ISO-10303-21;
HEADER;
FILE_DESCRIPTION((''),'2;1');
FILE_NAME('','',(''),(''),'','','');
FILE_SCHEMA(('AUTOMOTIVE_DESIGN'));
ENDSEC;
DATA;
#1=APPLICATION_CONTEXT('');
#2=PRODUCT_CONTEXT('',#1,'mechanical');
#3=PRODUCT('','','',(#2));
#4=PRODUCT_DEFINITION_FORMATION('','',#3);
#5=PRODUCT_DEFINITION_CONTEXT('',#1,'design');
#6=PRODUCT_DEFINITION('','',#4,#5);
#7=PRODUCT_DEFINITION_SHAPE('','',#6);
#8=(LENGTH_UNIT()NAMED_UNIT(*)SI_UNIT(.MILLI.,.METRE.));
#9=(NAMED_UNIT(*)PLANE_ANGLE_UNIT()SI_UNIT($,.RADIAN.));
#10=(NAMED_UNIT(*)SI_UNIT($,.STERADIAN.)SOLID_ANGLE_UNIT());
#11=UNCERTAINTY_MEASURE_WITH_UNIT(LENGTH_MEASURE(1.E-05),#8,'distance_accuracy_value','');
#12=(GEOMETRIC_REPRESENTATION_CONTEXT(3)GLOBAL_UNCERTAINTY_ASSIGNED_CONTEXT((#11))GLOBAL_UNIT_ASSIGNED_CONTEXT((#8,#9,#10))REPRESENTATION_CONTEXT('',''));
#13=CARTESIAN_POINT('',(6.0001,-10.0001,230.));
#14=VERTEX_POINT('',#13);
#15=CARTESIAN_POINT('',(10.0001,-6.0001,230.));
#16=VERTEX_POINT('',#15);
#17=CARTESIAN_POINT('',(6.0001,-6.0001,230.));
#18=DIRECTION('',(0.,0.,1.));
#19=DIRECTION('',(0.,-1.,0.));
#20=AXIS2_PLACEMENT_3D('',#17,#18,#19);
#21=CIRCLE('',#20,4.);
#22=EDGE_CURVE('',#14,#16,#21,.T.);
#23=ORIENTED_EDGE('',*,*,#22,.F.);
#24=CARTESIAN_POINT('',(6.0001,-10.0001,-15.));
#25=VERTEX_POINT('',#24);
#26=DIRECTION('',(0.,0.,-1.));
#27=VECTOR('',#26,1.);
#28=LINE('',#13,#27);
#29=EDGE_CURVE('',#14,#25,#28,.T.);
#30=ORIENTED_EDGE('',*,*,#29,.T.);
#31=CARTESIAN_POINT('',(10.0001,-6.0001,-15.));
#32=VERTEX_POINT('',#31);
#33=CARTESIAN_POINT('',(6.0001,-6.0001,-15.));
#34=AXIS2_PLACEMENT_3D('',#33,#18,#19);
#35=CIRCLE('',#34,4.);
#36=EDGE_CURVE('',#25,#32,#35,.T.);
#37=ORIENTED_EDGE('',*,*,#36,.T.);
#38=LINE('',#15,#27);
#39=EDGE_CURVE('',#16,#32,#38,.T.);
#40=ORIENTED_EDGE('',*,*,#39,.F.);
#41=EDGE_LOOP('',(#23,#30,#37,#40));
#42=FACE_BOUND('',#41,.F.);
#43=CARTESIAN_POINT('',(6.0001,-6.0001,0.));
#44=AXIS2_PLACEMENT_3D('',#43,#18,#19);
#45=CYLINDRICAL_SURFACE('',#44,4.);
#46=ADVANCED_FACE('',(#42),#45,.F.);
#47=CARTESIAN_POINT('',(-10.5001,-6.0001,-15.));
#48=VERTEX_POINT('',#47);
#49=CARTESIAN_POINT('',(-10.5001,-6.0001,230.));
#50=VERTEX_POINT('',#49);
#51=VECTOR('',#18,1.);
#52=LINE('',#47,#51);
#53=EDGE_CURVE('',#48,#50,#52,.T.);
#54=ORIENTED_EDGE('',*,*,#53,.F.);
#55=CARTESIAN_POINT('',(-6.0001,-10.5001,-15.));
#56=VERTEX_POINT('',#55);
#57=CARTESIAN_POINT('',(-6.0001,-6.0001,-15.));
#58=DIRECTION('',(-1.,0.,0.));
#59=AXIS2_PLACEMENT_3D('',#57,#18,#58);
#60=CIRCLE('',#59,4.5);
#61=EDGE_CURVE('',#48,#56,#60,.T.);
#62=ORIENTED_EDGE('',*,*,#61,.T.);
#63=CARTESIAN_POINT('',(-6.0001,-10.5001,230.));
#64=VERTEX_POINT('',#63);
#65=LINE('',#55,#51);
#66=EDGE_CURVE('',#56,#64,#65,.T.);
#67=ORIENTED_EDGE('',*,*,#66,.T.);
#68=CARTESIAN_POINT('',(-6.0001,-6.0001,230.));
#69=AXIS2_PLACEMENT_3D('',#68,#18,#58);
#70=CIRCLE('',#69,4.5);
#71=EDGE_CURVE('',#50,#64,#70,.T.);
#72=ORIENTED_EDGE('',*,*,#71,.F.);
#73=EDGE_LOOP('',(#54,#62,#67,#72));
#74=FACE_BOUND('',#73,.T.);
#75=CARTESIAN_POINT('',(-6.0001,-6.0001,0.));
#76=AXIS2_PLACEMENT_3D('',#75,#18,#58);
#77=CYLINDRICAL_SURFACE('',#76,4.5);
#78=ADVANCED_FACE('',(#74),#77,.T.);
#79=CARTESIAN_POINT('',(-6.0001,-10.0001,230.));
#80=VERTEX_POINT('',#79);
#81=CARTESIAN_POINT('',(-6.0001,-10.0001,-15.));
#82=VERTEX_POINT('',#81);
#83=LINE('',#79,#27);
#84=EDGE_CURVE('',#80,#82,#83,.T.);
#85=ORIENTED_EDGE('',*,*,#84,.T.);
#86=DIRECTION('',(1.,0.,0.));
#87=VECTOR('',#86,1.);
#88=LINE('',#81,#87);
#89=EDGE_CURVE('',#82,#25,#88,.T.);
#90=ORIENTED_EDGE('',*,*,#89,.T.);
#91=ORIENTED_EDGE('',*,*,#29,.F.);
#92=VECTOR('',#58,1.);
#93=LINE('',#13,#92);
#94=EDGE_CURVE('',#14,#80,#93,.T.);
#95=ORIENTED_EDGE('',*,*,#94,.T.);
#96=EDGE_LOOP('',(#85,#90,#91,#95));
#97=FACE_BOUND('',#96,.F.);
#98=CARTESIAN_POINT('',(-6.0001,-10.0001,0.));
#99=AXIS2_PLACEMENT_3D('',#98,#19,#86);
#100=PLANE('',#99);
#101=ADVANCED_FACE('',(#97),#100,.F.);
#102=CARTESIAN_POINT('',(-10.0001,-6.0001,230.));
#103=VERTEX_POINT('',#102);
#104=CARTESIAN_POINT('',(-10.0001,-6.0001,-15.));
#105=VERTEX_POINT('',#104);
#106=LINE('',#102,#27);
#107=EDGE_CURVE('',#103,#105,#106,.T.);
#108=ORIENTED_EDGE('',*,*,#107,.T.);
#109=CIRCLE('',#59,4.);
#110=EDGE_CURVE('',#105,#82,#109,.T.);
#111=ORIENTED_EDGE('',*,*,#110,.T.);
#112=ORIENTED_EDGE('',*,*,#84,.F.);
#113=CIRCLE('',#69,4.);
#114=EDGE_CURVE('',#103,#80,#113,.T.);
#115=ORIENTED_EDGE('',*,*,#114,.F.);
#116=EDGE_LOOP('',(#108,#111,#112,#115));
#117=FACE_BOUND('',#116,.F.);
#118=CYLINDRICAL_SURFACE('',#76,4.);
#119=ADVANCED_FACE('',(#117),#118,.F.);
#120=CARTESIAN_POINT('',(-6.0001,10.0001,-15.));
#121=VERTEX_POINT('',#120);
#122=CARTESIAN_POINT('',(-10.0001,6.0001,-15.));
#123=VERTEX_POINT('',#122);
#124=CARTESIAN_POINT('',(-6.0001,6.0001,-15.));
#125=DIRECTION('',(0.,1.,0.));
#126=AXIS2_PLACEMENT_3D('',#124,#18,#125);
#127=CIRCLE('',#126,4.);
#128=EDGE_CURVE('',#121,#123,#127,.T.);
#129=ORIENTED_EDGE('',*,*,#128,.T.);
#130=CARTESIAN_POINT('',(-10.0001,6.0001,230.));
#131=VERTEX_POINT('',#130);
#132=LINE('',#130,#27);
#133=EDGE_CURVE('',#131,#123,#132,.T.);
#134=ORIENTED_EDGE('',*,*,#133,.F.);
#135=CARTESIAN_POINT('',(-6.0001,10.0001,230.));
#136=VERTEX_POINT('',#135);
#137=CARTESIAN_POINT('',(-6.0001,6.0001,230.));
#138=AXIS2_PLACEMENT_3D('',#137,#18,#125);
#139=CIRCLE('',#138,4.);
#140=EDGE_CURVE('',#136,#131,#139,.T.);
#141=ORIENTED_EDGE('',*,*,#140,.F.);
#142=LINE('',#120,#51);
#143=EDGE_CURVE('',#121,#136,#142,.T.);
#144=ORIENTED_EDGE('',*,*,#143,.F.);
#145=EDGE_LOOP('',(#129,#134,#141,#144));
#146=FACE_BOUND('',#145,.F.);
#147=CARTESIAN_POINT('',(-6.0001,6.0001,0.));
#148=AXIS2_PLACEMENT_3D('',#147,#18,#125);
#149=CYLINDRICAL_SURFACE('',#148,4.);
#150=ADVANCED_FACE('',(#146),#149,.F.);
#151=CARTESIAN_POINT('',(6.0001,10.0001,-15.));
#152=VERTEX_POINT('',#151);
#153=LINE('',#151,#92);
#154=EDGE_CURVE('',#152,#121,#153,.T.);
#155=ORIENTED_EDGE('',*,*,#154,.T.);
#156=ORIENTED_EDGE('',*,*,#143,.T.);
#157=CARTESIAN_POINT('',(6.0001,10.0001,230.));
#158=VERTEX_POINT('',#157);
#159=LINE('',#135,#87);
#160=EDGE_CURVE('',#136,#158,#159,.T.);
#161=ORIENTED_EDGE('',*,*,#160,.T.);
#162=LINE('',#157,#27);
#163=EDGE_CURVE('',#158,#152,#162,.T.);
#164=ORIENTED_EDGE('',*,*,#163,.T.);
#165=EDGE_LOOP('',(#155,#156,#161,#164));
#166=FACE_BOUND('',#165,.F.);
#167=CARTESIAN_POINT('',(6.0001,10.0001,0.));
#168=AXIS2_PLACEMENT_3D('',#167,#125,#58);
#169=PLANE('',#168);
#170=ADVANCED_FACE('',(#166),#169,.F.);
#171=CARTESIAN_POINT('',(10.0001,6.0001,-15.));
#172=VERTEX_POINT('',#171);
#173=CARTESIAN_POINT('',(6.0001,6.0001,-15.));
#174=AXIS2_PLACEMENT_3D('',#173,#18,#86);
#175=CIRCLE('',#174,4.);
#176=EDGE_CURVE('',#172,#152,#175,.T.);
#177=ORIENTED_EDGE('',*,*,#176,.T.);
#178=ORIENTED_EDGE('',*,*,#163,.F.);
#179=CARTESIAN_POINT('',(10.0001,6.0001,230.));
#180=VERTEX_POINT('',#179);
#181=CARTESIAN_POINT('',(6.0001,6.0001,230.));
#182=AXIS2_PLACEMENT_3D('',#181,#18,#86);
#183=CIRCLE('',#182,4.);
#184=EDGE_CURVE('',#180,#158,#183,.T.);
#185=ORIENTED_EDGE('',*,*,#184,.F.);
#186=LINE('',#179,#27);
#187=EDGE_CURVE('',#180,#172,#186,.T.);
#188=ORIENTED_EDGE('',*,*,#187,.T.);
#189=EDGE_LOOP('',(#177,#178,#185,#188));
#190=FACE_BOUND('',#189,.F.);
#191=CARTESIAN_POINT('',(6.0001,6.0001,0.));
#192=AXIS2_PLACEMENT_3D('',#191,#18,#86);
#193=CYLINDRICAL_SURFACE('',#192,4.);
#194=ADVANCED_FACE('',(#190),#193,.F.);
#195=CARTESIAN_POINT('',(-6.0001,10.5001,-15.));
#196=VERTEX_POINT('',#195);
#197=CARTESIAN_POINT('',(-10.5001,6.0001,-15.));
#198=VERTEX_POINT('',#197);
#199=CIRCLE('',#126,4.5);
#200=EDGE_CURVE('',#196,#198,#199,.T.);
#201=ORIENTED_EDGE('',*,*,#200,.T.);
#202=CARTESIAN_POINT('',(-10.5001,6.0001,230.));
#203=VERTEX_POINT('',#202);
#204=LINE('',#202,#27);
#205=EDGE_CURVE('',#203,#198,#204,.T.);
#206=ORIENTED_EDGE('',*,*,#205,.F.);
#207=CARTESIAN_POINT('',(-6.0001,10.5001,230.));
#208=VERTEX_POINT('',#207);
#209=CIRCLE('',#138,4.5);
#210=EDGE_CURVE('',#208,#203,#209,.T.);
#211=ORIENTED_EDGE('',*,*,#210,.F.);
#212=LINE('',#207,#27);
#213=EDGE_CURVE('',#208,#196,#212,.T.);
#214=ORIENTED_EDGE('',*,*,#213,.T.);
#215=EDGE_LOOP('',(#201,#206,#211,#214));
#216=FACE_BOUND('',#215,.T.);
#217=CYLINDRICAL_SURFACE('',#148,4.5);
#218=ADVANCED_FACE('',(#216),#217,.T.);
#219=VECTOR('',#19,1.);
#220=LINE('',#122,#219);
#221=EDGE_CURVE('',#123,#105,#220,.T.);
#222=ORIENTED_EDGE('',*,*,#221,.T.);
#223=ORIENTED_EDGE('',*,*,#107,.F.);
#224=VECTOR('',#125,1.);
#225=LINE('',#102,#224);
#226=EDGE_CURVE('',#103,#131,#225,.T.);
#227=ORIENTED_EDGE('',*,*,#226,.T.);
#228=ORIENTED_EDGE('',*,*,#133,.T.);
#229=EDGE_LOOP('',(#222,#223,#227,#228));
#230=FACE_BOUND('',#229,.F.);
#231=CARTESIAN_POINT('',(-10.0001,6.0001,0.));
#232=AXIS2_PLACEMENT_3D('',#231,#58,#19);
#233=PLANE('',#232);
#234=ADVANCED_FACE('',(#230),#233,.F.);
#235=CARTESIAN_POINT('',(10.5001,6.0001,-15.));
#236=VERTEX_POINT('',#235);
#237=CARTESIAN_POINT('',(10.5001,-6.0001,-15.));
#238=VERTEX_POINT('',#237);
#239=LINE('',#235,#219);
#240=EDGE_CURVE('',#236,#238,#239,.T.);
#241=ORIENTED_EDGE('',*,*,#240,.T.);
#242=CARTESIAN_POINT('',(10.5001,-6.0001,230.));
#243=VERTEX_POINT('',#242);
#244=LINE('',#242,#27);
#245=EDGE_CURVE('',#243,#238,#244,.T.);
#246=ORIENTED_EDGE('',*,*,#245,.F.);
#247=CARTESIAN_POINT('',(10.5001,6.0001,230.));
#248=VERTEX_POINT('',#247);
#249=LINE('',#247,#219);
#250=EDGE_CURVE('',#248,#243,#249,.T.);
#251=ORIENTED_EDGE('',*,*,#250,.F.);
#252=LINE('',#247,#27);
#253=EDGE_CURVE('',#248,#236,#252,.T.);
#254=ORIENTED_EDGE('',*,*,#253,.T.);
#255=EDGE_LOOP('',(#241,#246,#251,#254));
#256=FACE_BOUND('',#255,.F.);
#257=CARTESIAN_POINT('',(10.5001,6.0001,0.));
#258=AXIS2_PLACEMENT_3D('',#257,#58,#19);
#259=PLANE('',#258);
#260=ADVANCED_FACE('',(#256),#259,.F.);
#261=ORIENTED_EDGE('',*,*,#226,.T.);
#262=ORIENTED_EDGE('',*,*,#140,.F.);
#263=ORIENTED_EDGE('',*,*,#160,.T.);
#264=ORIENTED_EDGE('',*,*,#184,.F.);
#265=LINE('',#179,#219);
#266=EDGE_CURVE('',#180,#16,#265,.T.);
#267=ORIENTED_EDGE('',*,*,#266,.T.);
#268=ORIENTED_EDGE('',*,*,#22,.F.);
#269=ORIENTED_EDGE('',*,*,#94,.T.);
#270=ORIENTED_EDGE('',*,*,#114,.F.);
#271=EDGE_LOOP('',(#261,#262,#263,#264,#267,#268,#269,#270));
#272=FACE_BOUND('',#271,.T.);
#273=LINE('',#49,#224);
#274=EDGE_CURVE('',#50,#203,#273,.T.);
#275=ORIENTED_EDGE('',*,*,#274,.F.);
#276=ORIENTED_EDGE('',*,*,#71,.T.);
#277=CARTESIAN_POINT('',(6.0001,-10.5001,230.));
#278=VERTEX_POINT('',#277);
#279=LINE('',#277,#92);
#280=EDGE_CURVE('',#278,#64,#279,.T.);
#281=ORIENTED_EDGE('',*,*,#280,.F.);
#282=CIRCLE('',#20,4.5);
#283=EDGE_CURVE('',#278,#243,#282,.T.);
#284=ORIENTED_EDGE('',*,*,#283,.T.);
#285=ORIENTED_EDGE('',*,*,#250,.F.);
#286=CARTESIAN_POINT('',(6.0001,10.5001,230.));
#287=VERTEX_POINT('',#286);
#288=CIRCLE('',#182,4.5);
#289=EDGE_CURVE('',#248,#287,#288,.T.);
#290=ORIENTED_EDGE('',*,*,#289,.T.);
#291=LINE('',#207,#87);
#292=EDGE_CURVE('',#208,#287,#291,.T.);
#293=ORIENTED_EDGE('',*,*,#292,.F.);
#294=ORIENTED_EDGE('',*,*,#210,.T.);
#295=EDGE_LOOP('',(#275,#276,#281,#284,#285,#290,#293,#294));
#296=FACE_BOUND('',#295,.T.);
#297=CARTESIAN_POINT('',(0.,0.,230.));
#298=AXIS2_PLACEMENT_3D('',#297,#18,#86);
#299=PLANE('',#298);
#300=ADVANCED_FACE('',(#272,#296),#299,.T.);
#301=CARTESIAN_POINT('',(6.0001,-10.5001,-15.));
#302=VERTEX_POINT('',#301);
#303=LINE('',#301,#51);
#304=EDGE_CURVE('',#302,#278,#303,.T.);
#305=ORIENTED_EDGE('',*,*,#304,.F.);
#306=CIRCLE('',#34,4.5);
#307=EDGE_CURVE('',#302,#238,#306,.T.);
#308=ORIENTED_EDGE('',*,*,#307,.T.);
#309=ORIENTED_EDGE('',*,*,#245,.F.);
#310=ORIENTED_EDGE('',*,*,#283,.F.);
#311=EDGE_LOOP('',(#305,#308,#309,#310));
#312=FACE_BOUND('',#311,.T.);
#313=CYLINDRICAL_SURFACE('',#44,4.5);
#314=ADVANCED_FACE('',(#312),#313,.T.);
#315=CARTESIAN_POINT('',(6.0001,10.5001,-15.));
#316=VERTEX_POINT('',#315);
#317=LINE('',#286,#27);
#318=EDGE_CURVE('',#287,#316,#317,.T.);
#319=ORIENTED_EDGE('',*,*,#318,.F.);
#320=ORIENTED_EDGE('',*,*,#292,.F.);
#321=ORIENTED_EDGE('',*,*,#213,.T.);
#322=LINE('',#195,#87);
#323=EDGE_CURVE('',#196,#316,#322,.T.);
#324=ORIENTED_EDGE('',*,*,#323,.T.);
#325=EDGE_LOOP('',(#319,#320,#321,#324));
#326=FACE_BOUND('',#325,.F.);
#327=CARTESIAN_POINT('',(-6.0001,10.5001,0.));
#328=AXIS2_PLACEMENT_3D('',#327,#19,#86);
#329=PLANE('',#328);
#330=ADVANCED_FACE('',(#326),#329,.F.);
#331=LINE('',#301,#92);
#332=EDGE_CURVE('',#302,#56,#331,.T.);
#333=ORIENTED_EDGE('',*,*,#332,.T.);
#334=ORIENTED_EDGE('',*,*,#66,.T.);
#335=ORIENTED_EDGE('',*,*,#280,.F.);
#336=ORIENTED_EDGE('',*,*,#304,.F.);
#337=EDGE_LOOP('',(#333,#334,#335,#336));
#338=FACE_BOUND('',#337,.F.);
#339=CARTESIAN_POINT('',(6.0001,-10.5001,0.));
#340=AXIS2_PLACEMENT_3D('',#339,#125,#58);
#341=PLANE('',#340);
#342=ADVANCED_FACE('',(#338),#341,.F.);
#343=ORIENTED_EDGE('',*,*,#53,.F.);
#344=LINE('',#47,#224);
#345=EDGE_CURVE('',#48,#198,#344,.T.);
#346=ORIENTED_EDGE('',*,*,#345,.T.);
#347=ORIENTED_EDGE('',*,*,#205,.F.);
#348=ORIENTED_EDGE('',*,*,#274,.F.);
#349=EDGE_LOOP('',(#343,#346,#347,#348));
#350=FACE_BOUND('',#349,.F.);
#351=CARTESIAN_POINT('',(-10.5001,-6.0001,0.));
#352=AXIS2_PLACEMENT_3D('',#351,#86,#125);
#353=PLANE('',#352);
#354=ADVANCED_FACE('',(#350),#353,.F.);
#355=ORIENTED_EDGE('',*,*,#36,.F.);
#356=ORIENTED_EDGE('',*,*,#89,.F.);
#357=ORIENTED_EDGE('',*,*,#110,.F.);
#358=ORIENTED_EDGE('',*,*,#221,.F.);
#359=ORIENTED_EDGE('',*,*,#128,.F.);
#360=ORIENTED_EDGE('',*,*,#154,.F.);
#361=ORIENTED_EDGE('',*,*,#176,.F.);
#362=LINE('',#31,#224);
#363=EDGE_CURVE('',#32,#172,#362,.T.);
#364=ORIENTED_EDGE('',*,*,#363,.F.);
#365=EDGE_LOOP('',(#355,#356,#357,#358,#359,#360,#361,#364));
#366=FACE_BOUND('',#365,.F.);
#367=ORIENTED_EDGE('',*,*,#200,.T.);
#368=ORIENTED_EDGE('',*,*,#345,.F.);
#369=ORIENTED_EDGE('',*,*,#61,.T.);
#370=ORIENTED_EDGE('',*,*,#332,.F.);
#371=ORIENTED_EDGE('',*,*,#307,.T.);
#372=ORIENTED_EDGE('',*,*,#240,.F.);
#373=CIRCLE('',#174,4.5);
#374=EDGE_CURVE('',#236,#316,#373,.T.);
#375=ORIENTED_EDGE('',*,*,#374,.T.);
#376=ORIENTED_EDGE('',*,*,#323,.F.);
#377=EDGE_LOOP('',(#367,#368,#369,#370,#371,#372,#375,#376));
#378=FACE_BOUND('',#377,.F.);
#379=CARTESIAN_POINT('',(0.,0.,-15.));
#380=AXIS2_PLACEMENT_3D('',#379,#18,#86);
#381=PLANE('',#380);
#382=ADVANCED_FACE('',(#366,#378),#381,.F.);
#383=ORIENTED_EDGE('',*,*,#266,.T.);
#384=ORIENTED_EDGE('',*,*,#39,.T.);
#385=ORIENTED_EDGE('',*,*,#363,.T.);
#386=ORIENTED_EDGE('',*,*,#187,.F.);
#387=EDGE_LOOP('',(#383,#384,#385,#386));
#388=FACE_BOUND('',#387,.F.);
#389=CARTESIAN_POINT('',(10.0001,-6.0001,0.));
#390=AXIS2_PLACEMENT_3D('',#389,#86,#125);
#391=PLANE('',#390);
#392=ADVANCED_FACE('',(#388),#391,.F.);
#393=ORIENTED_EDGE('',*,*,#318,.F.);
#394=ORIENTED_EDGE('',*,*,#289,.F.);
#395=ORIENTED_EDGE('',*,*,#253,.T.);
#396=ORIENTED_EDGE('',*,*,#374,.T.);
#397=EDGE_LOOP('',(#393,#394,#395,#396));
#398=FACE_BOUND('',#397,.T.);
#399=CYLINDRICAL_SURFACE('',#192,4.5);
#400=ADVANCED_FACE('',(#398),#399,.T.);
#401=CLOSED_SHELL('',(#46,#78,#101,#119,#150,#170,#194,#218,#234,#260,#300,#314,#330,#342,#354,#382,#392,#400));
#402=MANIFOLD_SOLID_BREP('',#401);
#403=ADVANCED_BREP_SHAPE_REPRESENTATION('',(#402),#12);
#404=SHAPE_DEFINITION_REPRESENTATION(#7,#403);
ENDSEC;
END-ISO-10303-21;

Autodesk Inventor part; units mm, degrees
ref_plane "YZ Plane" through (0, 0, 0) normal (1, 0, 0) x (0, 1, 0)
ref_plane "XZ Plane" through (0, 0, 0) normal (0, 1, 0) x (-1, 0, 0)
sketch "Sketch1" plane through (0, 0, 0) normal (0, 0, 1) x (1, 0, 0)
  line L0 (3, 3) -> (3, -3) projected
  line L1 (6.35, -6.35) -> (3, -3) projected
  line L2 (6.35, -6.35) -> (6.35, -7.652) projected
  line L3 (-6.35, -7.652) -> (6.35, -7.652) projected
  line L4 (-6.35, -7.652) -> (-6.35, -6.35) projected
  line L5 (-3, -3) -> (-6.35, -6.35) projected
  line L6 (-3, -3) -> (-3, 3) projected
  line L7 (-6.35, 6.35) -> (-3, 3) projected
  line L8 (-6.35, 6.35) -> (-6.35, 7.652) projected
  line L9 (6.35, 7.652) -> (-6.35, 7.652) projected
  line L10 (6.35, 7.652) -> (6.35, 6.35) projected
  line L11 (3, 3) -> (6.35, 6.35) projected
  arc A0 (-6.0001, 10.0001) -> (-10.0001, 6.0001) centre (-6.0001, 6.0001) ccw projected
  line L12 (-10.0001, 6.0001) -> (-10.0001, -6.0001) projected
  arc A1 (-10.0001, -6.0001) -> (-6.0001, -10.0001) centre (-6.0001, -6.0001) ccw projected
  line L13 (-6.0001, -10.0001) -> (6.0001, -10.0001) projected
  arc A2 (6.0001, -10.0001) -> (10.0001, -6.0001) centre (6.0001, -6.0001) ccw projected
  line L14 (10.0001, -6.0001) -> (10.0001, 6.0001) projected
  arc A3 (10.0001, 6.0001) -> (6.0001, 10.0001) centre (6.0001, 6.0001) ccw projected
  line L15 (6.0001, 10.0001) -> (-6.0001, 10.0001) projected
  line L16 (-10.5001, -6.0001) -> (-10.5001, 6.0001)
  arc A4 (-6.0001, 10.5001) -> (-10.5001, 6.0001) centre (-6.0001, 6.0001) ccw
  line L17 (-6.0001, 10.5001) -> (6.0001, 10.5001)
  arc A5 (10.5001, 6.0001) -> (6.0001, 10.5001) centre (6.0001, 6.0001) ccw
  line L18 (10.5001, 6.0001) -> (10.5001, -6.0001)
  arc A6 (6.0001, -10.5001) -> (10.5001, -6.0001) centre (6.0001, -6.0001) ccw
  line L19 (6.0001, -10.5001) -> (-6.0001, -10.5001)
  arc A7 (-10.5001, -6.0001) -> (-6.0001, -10.5001) centre (-6.0001, -6.0001) ccw
  point P0 (0, 0)
  dimension "d0" = 0.5
ref_plane "Work Plane1" through (-10.9987, -11, -15) normal (0, 0, 1) x (1, 0, 0)
extrude "Extrusion1" add sketch "Sketch1" against normal up to surface (15 mm away) contours L16 A4 L17 A5 L18 A6 L19 A7
sketch "Sketch2" plane through (0, 0, 0) normal (0, 0, 1) x (1, 0, 0)
  line L0 (-10.0001, -6.0001) -> (-10.0001, 6.0001) projected
  arc A0 (-6.0001, 10.0001) -> (-10.0001, 6.0001) centre (-6.0001, 6.0001) ccw projected
  line L1 (-6.0001, 10.0001) -> (6.0001, 10.0001) projected
  arc A1 (10.0001, 6.0001) -> (6.0001, 10.0001) centre (6.0001, 6.0001) ccw projected
  line L2 (10.0001, 6.0001) -> (10.0001, -6.0001) projected
  arc A2 (6.0001, -10.0001) -> (10.0001, -6.0001) centre (6.0001, -6.0001) ccw projected
  line L3 (6.0001, -10.0001) -> (-6.0001, -10.0001) projected
  arc A3 (-10.0001, -6.0001) -> (-6.0001, -10.0001) centre (-6.0001, -6.0001) ccw projected
  line L4 (-10.5001, -6.0001) -> (-10.5001, 6.0001) projected
  arc A4 (-10.5001, -6.0001) -> (-6.0001, -10.5001) centre (-6.0001, -6.0001) ccw projected
  line L5 (6.0001, -10.5001) -> (-6.0001, -10.5001) projected
  arc A5 (6.0001, -10.5001) -> (10.5001, -6.0001) centre (6.0001, -6.0001) ccw projected
  line L6 (10.5001, 6.0001) -> (10.5001, -6.0001) projected
  arc A6 (10.5001, 6.0001) -> (6.0001, 10.5001) centre (6.0001, 6.0001) ccw projected
  line L7 (-6.0001, 10.5001) -> (6.0001, 10.5001) projected
  arc A7 (-6.0001, 10.5001) -> (-10.5001, 6.0001) centre (-6.0001, 6.0001) ccw projected
  point P0 (0, 0)
extrude "Extrusion2" add sketch "Sketch2" along normal blind 230
properties part number "SmallCFTube"
